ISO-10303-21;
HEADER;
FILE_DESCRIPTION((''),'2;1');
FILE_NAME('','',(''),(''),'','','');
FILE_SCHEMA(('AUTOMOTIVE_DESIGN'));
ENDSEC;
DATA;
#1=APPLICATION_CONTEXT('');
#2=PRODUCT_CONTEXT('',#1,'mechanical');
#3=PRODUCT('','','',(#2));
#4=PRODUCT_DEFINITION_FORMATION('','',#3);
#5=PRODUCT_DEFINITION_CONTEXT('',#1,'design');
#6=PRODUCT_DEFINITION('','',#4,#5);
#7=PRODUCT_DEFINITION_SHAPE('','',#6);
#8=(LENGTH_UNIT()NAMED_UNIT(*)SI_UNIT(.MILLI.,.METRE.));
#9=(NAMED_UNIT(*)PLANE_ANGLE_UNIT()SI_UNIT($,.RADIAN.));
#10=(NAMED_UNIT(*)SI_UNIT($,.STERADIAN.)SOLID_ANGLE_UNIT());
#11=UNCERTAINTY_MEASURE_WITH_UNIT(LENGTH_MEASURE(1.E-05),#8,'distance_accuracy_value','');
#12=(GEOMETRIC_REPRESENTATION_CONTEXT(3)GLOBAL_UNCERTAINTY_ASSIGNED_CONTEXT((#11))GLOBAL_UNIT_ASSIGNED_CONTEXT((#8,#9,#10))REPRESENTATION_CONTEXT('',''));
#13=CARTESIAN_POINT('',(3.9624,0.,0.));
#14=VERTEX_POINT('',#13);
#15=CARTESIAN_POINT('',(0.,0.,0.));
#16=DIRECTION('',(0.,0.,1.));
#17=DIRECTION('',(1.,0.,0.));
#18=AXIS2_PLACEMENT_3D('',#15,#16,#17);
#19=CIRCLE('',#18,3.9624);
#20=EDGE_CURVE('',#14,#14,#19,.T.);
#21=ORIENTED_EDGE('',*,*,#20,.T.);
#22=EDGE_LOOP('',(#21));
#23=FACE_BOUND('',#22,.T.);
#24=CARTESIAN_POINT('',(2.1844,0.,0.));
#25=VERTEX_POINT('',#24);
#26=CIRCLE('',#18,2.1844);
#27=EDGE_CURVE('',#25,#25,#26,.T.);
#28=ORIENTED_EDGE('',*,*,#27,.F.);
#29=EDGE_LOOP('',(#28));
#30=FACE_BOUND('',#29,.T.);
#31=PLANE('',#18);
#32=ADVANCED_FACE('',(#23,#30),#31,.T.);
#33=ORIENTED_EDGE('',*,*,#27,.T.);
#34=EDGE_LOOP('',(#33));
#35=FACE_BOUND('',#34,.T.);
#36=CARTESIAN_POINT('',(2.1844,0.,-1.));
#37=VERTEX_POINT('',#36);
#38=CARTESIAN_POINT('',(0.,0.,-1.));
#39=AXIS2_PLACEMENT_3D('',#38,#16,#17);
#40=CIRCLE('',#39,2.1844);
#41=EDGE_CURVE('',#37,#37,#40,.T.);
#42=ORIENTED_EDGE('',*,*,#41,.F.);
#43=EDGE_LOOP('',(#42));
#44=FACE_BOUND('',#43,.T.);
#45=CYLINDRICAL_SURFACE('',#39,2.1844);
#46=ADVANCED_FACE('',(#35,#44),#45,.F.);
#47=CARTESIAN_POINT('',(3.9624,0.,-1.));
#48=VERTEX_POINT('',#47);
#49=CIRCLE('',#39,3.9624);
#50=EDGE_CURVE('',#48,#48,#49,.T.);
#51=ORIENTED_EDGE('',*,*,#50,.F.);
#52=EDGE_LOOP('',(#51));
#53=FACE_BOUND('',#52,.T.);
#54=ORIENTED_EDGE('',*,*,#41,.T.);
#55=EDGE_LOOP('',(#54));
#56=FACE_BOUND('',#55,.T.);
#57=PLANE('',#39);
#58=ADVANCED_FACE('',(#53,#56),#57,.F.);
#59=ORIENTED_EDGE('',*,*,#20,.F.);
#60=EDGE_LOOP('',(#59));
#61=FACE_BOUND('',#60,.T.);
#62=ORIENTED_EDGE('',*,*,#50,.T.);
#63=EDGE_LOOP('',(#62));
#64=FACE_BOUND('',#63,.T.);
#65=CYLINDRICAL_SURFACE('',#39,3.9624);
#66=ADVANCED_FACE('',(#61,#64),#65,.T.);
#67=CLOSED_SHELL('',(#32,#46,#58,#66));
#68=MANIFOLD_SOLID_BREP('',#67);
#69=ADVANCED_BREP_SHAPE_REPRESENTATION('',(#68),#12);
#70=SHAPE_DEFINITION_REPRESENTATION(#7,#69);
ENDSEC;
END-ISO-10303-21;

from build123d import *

# Parameters (mm, degrees)
SKETCH1_R      = 3.9624
SKETCH1_R_2    = 2.1844
EXTRUDE1_DEPTH = 1


with BuildPart() as part:
    # Sketch1 → Extrude1 (new body)
    with BuildSketch(Plane.XY):
        Circle(SKETCH1_R)
        Circle(SKETCH1_R_2, mode=Mode.SUBTRACT)
    extrude(amount=-EXTRUDE1_DEPTH)


solid = part.part
